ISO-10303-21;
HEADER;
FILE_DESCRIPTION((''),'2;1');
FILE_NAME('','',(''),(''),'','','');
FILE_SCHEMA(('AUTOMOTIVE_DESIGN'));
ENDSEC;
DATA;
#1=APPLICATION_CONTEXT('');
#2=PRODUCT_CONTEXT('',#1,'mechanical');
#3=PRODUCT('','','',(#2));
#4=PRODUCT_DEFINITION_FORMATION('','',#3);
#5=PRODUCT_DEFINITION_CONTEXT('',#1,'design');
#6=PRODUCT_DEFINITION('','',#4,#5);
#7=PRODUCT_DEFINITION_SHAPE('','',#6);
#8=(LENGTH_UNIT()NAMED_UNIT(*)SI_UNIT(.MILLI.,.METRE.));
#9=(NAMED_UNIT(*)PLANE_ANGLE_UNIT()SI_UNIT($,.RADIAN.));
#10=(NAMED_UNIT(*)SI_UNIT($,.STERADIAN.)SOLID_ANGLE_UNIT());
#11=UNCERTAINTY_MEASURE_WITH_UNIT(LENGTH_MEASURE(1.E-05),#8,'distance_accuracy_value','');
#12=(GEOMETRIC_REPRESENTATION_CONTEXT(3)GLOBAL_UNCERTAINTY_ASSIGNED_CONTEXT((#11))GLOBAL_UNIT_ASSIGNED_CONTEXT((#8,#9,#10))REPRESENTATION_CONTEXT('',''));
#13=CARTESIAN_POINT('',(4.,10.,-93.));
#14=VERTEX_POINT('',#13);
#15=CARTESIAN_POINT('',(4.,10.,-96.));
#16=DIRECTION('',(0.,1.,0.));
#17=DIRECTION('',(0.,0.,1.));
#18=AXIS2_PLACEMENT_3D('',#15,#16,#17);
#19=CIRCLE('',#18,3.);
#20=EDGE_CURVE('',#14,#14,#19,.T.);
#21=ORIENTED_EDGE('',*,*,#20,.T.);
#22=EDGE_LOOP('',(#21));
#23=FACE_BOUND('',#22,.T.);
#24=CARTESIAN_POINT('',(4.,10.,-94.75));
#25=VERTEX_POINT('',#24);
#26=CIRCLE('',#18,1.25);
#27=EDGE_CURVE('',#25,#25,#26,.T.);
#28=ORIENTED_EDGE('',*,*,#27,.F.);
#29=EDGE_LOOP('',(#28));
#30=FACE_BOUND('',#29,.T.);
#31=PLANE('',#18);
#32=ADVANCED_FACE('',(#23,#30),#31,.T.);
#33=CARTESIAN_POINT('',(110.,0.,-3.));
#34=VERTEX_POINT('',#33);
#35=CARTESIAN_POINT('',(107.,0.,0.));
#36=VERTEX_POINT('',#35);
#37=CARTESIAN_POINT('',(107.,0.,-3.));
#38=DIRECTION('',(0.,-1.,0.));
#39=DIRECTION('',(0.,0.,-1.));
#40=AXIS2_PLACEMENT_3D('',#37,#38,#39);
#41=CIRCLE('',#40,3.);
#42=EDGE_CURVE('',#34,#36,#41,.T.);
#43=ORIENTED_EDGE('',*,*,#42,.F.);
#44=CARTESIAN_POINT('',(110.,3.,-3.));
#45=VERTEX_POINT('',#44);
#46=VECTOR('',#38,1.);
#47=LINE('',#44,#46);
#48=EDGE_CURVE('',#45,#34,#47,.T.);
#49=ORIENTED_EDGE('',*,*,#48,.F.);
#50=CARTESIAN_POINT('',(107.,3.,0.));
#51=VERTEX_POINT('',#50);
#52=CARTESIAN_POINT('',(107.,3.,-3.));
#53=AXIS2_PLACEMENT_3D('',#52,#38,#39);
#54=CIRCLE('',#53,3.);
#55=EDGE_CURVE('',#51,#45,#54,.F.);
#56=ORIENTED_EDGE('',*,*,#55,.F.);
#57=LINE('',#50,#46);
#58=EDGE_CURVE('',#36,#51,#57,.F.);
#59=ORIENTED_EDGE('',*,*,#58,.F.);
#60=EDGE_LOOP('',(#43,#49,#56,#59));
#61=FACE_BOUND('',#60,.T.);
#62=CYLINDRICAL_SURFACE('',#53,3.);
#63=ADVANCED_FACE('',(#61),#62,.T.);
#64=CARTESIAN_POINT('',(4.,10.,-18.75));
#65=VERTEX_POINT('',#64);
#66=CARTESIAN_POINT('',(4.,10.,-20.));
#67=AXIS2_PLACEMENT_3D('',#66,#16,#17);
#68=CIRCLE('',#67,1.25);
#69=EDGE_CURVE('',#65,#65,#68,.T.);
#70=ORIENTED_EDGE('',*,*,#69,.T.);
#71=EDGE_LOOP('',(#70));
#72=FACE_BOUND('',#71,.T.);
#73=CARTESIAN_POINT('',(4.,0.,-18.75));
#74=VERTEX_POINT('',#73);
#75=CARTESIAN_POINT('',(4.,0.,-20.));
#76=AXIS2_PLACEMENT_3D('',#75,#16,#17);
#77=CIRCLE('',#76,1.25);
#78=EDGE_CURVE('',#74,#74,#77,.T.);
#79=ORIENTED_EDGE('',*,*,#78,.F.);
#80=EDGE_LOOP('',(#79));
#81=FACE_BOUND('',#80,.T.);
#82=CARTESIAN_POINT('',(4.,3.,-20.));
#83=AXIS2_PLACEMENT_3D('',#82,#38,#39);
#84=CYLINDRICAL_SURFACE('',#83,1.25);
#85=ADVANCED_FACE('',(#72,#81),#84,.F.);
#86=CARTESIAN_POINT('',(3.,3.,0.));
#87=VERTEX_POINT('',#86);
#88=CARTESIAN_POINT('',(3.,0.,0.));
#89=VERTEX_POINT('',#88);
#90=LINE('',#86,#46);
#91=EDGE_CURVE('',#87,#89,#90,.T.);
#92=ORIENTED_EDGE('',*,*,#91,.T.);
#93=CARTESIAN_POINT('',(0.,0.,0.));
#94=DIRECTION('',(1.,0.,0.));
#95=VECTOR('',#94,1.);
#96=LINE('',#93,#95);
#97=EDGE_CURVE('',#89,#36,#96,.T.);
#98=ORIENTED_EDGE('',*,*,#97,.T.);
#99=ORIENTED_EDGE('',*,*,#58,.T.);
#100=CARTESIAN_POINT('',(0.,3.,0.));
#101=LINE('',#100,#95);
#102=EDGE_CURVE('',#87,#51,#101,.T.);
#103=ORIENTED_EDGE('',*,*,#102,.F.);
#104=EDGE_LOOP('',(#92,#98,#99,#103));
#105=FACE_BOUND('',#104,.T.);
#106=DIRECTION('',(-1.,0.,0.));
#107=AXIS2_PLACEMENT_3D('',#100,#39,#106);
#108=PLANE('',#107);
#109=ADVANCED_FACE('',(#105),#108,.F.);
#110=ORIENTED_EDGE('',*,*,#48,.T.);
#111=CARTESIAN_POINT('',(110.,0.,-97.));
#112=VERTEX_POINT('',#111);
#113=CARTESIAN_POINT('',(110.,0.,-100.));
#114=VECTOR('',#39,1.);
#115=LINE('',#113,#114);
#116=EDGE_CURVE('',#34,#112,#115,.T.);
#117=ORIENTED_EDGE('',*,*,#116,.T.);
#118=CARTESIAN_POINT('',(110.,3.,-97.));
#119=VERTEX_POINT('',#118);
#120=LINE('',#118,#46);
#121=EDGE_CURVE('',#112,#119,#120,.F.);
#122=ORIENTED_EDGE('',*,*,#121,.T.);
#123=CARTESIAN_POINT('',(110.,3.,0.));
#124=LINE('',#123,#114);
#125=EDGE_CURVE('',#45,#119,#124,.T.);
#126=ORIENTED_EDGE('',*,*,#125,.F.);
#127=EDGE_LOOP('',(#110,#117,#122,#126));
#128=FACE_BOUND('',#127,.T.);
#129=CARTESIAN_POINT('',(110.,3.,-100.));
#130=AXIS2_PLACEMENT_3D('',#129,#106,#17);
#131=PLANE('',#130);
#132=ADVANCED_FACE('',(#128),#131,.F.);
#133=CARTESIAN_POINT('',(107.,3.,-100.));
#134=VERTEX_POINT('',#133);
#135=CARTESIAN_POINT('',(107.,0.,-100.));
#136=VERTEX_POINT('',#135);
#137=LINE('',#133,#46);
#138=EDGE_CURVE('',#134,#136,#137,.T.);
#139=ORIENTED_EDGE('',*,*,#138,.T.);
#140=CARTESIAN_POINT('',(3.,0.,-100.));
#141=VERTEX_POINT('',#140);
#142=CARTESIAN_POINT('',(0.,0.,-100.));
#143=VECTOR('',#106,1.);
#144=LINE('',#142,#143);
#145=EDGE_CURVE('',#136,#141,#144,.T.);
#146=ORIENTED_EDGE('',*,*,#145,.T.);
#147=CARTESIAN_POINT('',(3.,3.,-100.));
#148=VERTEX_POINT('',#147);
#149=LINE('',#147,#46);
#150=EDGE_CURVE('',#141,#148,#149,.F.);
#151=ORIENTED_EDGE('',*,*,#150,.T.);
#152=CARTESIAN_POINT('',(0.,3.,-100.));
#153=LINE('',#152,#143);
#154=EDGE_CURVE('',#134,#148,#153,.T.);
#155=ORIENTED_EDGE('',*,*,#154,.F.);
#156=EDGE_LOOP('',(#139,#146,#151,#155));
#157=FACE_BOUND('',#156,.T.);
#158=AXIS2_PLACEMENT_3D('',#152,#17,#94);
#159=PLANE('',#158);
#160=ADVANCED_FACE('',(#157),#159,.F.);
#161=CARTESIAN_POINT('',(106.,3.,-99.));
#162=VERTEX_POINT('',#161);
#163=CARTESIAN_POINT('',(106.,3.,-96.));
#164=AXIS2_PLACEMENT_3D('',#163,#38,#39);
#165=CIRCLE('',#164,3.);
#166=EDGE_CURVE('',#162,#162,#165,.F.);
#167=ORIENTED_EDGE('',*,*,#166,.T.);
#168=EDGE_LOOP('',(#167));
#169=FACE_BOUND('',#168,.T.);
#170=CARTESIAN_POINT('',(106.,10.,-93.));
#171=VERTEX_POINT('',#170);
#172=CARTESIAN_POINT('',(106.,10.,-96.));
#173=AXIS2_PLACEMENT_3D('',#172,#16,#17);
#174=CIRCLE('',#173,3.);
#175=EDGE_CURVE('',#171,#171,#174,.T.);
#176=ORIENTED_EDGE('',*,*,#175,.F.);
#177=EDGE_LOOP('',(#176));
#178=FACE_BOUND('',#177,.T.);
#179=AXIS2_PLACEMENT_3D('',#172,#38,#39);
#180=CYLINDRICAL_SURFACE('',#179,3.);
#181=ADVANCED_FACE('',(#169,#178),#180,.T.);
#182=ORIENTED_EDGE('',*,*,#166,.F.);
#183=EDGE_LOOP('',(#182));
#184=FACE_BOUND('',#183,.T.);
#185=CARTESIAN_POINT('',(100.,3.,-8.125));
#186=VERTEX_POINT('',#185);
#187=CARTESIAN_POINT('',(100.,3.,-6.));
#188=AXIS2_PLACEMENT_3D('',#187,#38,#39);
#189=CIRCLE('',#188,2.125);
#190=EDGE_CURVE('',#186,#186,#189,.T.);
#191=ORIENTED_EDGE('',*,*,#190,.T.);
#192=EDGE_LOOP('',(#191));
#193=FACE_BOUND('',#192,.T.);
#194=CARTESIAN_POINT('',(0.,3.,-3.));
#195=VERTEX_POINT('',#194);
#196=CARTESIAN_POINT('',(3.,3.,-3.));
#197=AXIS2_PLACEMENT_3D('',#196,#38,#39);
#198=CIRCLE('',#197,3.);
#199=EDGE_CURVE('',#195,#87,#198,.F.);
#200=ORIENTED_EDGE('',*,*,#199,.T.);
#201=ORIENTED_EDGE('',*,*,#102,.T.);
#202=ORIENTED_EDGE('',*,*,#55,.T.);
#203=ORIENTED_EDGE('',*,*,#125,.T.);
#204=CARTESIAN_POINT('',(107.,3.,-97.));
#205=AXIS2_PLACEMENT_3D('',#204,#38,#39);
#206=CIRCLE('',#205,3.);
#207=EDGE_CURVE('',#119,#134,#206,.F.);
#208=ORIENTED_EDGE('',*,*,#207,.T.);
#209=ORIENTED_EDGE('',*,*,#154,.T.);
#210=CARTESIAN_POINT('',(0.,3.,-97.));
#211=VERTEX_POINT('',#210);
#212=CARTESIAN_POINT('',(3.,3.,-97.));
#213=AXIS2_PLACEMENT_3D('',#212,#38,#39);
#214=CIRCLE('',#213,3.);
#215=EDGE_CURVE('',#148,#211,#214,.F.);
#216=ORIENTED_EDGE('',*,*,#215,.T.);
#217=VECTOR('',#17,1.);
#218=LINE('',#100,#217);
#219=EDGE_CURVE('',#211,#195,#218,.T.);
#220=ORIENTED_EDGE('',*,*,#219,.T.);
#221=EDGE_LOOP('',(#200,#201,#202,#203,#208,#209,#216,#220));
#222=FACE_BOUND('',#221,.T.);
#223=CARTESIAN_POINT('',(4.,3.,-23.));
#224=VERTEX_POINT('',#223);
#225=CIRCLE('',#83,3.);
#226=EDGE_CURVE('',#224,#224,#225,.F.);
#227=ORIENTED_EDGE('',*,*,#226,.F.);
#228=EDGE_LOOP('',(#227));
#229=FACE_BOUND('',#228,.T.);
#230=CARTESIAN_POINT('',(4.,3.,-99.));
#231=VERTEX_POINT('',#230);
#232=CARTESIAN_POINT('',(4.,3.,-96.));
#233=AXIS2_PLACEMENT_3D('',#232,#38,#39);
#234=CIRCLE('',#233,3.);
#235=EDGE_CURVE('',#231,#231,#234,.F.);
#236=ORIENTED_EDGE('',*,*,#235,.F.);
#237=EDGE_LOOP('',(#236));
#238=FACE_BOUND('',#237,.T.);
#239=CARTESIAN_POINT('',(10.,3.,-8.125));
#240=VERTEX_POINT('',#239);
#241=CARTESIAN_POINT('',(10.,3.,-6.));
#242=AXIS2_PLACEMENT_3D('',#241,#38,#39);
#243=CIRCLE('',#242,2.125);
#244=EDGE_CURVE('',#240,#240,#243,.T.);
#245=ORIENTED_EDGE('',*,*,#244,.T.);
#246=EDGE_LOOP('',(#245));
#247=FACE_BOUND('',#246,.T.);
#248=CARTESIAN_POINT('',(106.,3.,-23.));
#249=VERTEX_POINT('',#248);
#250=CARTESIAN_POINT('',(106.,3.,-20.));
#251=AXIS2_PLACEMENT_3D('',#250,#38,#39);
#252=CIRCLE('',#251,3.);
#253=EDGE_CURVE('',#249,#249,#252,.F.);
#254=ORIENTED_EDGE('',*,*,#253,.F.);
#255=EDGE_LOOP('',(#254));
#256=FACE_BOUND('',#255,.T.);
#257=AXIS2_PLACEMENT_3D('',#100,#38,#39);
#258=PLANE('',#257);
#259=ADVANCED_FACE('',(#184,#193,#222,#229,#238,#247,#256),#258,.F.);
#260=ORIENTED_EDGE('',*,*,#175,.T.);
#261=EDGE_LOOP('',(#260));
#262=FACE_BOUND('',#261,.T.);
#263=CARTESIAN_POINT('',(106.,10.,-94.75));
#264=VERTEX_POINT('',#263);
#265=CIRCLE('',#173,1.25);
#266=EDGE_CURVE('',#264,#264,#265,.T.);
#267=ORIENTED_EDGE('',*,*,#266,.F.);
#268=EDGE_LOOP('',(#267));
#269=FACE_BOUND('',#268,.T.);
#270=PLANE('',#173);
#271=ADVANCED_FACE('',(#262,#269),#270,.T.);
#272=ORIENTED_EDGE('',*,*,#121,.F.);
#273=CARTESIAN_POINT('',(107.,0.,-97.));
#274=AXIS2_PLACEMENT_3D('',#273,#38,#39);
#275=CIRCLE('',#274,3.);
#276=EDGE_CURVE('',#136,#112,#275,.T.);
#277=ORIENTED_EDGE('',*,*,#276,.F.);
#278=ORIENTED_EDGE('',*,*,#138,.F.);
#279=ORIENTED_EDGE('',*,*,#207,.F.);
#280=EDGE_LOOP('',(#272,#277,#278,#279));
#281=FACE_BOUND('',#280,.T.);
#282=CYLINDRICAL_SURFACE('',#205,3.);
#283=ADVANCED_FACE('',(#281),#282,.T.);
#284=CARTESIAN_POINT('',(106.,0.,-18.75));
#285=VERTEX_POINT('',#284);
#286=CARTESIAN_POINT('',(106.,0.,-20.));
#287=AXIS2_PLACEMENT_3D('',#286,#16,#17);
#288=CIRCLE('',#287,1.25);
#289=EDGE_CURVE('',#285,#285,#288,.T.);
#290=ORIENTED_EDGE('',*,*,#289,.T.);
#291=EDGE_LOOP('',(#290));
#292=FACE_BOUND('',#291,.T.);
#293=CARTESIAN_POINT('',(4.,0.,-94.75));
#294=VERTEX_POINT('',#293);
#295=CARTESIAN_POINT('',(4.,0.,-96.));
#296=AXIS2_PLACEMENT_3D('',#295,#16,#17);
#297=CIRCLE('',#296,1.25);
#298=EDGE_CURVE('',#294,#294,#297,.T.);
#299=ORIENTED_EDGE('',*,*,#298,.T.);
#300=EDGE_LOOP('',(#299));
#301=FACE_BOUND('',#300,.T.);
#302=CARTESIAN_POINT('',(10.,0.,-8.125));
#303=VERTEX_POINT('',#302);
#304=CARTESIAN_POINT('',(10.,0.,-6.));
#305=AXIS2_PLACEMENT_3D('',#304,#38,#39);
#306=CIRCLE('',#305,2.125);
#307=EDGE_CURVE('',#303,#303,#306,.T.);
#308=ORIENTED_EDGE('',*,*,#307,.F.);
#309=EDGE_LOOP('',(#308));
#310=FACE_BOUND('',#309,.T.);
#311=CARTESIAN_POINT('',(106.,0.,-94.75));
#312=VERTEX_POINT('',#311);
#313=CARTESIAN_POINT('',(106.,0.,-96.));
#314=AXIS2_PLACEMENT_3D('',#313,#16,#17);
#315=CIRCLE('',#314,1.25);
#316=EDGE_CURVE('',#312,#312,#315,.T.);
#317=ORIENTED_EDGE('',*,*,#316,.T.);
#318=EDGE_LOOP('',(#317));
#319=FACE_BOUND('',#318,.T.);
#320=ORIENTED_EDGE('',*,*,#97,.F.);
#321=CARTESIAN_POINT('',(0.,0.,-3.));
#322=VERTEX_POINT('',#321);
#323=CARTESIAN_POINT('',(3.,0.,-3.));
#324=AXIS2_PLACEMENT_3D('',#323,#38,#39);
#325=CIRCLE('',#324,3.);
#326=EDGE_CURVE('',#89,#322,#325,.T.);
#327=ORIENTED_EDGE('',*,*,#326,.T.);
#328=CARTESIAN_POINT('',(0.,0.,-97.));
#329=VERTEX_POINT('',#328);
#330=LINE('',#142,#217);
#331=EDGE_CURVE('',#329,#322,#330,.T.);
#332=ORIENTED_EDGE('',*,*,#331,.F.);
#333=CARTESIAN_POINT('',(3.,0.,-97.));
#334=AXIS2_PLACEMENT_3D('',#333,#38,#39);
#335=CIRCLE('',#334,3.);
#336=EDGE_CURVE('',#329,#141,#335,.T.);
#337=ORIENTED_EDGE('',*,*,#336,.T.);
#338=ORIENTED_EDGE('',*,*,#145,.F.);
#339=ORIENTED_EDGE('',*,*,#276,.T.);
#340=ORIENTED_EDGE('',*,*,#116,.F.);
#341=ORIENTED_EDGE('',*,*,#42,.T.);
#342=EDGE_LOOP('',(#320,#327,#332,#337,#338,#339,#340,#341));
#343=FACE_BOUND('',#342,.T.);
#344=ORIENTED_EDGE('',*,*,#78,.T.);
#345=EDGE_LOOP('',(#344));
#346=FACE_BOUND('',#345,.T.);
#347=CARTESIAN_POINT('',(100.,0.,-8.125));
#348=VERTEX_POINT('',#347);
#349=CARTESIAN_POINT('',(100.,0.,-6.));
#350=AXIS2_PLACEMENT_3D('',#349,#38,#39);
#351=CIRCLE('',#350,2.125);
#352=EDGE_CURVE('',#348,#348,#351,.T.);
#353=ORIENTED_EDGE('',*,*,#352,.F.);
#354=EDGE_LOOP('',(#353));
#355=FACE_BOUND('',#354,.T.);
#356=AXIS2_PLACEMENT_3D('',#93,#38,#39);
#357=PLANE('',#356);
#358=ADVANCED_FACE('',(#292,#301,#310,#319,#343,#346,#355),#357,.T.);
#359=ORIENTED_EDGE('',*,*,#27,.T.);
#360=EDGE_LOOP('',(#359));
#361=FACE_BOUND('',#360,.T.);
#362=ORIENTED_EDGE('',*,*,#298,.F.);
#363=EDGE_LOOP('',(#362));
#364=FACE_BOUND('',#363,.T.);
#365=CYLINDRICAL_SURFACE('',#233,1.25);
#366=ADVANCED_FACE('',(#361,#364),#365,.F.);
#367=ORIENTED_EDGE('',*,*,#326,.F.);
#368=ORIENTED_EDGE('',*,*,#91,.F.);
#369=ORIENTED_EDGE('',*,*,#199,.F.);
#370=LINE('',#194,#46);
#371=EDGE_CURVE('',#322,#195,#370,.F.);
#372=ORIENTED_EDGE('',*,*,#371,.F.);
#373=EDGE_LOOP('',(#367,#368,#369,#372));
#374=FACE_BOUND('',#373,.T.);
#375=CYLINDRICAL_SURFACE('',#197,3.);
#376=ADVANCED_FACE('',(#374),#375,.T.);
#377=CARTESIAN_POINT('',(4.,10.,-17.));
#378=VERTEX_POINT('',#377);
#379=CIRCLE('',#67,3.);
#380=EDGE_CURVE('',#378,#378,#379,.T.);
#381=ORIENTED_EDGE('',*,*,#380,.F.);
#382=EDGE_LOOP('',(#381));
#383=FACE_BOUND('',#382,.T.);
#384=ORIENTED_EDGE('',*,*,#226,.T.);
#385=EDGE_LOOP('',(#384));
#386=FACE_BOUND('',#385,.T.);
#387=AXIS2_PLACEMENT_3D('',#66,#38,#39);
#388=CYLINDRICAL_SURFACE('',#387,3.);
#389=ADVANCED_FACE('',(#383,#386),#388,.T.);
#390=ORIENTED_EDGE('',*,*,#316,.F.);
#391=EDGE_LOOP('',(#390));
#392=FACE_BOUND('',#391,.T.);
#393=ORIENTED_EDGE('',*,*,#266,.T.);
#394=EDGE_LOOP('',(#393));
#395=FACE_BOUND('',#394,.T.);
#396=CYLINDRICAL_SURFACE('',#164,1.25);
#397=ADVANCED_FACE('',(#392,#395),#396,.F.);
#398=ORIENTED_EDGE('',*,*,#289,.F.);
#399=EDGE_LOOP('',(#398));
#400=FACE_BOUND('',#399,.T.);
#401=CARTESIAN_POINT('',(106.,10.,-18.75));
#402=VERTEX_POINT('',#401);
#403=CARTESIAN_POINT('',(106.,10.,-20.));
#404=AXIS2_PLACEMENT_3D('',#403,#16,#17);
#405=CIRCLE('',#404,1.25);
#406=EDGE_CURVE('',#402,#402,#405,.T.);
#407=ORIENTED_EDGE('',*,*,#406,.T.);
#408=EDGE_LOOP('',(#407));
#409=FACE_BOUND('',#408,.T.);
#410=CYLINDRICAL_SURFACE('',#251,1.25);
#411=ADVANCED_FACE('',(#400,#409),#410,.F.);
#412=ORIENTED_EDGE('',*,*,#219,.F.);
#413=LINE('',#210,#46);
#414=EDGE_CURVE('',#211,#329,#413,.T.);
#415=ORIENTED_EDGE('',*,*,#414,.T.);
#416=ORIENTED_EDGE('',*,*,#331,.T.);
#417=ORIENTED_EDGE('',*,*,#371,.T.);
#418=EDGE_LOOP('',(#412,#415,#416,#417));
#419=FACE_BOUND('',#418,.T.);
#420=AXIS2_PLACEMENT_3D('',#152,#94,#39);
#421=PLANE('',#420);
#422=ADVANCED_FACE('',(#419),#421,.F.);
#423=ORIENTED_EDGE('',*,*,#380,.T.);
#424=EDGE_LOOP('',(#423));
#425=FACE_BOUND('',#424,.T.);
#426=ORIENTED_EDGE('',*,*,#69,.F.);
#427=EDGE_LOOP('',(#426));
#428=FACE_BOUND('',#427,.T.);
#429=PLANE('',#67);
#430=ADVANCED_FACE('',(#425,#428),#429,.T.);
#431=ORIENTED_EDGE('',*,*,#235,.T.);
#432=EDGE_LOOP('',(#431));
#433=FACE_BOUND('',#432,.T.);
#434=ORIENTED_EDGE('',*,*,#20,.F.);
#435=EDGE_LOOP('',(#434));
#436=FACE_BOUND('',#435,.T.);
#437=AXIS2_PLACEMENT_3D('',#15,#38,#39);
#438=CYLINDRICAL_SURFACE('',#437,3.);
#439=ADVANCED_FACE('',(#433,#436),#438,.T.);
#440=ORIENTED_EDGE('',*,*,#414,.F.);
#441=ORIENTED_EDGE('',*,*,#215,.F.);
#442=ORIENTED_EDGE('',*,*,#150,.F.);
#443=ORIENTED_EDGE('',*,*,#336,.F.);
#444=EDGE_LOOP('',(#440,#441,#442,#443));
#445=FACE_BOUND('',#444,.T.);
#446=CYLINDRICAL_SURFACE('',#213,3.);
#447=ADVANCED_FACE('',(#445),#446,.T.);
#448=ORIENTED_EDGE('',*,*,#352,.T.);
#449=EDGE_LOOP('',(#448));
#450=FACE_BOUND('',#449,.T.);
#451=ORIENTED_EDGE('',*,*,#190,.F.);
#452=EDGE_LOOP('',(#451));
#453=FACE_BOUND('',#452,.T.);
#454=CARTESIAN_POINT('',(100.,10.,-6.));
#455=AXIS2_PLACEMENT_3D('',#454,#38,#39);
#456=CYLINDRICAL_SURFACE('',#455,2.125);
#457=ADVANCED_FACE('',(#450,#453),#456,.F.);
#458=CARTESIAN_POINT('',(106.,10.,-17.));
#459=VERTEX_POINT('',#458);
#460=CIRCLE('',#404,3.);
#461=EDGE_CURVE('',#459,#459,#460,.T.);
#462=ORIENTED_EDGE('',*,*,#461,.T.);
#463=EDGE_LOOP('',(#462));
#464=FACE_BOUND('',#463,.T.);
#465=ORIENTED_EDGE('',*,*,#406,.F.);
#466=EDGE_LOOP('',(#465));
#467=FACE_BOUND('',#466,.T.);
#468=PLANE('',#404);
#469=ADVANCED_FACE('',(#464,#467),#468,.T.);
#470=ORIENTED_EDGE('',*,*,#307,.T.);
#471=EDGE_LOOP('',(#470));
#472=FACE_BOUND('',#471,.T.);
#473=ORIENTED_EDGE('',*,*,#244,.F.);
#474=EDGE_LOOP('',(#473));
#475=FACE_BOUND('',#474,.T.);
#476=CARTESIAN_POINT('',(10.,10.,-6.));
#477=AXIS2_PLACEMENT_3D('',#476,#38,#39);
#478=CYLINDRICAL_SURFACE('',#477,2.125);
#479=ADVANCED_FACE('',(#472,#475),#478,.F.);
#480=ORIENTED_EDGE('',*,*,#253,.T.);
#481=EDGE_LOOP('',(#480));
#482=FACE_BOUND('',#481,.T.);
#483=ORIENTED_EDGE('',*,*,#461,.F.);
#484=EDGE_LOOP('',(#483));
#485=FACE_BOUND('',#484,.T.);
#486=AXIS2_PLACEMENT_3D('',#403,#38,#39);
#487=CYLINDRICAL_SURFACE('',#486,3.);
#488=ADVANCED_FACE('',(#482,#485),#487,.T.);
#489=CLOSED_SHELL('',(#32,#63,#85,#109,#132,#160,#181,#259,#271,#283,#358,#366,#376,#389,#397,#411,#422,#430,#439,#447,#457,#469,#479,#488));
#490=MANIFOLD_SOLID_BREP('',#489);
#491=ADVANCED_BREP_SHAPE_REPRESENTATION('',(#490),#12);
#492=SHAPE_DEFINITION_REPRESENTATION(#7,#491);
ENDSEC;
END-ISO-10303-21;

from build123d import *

# Parameters (mm, degrees)
SKETCH1_R           = 1.25
BOSS_EXTRUDE1_DEPTH = 3
FILLET1_R           = 3
SKETCH2_R           = 3
SKETCH2_R_2         = 1.25
BOSS_EXTRUDE2_DEPTH = 7
SKETCH4_R           = 2.125
CUT_EXTRUDE1_DEPTH  = 11


with BuildPart() as part:
    # Sketch1 → Boss-Extrude1 (new body)
    with BuildSketch(Plane(origin=(0, 0, 0), x_dir=(1, 0, 0), z_dir=(0, 1, 0))):
        Polygon((0, 0), (110, 0), (110, 16), (110, 100), (0, 100), (0, 16), align=None)
        with Locations((4, 96)):
            Circle(SKETCH1_R, mode=Mode.SUBTRACT)
        with Locations((106, 96)):
            Circle(SKETCH1_R, mode=Mode.SUBTRACT)
        with Locations((106, 20)):
            Circle(SKETCH1_R, mode=Mode.SUBTRACT)
        with Locations((4, 20)):
            Circle(SKETCH1_R, mode=Mode.SUBTRACT)
    extrude(amount=BOSS_EXTRUDE1_DEPTH)

    # Fillet1
    fillet1_edges = [part.edges().sort_by_distance(p)[0] for p in [
        (0, 1.5, -100),
        (110, 1.5, -100),
        (110, 1.5, 0),
        (0, 1.5, 0),
    ]]
    fillet(fillet1_edges, radius=FILLET1_R)

    # Sketch2 → Boss-Extrude2 (add)
    with BuildSketch(Plane(origin=(0, 3, 0), x_dir=(1, 0, 0), z_dir=(0, 1, 0))):
        with Locations((4, 96)):
            Circle(SKETCH2_R)
        with Locations((4, 96)):
            Circle(SKETCH2_R_2, mode=Mode.SUBTRACT)
        with Locations((106, 96)):
            Circle(SKETCH2_R)
        with Locations((106, 96)):
            Circle(SKETCH2_R_2, mode=Mode.SUBTRACT)
        with Locations((106, 20)):
            Circle(SKETCH2_R)
        with Locations((106, 20)):
            Circle(SKETCH2_R_2, mode=Mode.SUBTRACT)
        with Locations((4, 20)):
            Circle(SKETCH2_R)
        with Locations((4, 20)):
            Circle(SKETCH2_R_2, mode=Mode.SUBTRACT)
    extrude(amount=BOSS_EXTRUDE2_DEPTH)

    # Sketch4 → Cut-Extrude1 (cut, through all)
    with BuildSketch(Plane.XZ):
        with Locations((10, -6)):
            Circle(SKETCH4_R)
        with Locations((100, -6)):
            Circle(SKETCH4_R)
    extrude(amount=-CUT_EXTRUDE1_DEPTH, mode=Mode.SUBTRACT)


solid = part.part
